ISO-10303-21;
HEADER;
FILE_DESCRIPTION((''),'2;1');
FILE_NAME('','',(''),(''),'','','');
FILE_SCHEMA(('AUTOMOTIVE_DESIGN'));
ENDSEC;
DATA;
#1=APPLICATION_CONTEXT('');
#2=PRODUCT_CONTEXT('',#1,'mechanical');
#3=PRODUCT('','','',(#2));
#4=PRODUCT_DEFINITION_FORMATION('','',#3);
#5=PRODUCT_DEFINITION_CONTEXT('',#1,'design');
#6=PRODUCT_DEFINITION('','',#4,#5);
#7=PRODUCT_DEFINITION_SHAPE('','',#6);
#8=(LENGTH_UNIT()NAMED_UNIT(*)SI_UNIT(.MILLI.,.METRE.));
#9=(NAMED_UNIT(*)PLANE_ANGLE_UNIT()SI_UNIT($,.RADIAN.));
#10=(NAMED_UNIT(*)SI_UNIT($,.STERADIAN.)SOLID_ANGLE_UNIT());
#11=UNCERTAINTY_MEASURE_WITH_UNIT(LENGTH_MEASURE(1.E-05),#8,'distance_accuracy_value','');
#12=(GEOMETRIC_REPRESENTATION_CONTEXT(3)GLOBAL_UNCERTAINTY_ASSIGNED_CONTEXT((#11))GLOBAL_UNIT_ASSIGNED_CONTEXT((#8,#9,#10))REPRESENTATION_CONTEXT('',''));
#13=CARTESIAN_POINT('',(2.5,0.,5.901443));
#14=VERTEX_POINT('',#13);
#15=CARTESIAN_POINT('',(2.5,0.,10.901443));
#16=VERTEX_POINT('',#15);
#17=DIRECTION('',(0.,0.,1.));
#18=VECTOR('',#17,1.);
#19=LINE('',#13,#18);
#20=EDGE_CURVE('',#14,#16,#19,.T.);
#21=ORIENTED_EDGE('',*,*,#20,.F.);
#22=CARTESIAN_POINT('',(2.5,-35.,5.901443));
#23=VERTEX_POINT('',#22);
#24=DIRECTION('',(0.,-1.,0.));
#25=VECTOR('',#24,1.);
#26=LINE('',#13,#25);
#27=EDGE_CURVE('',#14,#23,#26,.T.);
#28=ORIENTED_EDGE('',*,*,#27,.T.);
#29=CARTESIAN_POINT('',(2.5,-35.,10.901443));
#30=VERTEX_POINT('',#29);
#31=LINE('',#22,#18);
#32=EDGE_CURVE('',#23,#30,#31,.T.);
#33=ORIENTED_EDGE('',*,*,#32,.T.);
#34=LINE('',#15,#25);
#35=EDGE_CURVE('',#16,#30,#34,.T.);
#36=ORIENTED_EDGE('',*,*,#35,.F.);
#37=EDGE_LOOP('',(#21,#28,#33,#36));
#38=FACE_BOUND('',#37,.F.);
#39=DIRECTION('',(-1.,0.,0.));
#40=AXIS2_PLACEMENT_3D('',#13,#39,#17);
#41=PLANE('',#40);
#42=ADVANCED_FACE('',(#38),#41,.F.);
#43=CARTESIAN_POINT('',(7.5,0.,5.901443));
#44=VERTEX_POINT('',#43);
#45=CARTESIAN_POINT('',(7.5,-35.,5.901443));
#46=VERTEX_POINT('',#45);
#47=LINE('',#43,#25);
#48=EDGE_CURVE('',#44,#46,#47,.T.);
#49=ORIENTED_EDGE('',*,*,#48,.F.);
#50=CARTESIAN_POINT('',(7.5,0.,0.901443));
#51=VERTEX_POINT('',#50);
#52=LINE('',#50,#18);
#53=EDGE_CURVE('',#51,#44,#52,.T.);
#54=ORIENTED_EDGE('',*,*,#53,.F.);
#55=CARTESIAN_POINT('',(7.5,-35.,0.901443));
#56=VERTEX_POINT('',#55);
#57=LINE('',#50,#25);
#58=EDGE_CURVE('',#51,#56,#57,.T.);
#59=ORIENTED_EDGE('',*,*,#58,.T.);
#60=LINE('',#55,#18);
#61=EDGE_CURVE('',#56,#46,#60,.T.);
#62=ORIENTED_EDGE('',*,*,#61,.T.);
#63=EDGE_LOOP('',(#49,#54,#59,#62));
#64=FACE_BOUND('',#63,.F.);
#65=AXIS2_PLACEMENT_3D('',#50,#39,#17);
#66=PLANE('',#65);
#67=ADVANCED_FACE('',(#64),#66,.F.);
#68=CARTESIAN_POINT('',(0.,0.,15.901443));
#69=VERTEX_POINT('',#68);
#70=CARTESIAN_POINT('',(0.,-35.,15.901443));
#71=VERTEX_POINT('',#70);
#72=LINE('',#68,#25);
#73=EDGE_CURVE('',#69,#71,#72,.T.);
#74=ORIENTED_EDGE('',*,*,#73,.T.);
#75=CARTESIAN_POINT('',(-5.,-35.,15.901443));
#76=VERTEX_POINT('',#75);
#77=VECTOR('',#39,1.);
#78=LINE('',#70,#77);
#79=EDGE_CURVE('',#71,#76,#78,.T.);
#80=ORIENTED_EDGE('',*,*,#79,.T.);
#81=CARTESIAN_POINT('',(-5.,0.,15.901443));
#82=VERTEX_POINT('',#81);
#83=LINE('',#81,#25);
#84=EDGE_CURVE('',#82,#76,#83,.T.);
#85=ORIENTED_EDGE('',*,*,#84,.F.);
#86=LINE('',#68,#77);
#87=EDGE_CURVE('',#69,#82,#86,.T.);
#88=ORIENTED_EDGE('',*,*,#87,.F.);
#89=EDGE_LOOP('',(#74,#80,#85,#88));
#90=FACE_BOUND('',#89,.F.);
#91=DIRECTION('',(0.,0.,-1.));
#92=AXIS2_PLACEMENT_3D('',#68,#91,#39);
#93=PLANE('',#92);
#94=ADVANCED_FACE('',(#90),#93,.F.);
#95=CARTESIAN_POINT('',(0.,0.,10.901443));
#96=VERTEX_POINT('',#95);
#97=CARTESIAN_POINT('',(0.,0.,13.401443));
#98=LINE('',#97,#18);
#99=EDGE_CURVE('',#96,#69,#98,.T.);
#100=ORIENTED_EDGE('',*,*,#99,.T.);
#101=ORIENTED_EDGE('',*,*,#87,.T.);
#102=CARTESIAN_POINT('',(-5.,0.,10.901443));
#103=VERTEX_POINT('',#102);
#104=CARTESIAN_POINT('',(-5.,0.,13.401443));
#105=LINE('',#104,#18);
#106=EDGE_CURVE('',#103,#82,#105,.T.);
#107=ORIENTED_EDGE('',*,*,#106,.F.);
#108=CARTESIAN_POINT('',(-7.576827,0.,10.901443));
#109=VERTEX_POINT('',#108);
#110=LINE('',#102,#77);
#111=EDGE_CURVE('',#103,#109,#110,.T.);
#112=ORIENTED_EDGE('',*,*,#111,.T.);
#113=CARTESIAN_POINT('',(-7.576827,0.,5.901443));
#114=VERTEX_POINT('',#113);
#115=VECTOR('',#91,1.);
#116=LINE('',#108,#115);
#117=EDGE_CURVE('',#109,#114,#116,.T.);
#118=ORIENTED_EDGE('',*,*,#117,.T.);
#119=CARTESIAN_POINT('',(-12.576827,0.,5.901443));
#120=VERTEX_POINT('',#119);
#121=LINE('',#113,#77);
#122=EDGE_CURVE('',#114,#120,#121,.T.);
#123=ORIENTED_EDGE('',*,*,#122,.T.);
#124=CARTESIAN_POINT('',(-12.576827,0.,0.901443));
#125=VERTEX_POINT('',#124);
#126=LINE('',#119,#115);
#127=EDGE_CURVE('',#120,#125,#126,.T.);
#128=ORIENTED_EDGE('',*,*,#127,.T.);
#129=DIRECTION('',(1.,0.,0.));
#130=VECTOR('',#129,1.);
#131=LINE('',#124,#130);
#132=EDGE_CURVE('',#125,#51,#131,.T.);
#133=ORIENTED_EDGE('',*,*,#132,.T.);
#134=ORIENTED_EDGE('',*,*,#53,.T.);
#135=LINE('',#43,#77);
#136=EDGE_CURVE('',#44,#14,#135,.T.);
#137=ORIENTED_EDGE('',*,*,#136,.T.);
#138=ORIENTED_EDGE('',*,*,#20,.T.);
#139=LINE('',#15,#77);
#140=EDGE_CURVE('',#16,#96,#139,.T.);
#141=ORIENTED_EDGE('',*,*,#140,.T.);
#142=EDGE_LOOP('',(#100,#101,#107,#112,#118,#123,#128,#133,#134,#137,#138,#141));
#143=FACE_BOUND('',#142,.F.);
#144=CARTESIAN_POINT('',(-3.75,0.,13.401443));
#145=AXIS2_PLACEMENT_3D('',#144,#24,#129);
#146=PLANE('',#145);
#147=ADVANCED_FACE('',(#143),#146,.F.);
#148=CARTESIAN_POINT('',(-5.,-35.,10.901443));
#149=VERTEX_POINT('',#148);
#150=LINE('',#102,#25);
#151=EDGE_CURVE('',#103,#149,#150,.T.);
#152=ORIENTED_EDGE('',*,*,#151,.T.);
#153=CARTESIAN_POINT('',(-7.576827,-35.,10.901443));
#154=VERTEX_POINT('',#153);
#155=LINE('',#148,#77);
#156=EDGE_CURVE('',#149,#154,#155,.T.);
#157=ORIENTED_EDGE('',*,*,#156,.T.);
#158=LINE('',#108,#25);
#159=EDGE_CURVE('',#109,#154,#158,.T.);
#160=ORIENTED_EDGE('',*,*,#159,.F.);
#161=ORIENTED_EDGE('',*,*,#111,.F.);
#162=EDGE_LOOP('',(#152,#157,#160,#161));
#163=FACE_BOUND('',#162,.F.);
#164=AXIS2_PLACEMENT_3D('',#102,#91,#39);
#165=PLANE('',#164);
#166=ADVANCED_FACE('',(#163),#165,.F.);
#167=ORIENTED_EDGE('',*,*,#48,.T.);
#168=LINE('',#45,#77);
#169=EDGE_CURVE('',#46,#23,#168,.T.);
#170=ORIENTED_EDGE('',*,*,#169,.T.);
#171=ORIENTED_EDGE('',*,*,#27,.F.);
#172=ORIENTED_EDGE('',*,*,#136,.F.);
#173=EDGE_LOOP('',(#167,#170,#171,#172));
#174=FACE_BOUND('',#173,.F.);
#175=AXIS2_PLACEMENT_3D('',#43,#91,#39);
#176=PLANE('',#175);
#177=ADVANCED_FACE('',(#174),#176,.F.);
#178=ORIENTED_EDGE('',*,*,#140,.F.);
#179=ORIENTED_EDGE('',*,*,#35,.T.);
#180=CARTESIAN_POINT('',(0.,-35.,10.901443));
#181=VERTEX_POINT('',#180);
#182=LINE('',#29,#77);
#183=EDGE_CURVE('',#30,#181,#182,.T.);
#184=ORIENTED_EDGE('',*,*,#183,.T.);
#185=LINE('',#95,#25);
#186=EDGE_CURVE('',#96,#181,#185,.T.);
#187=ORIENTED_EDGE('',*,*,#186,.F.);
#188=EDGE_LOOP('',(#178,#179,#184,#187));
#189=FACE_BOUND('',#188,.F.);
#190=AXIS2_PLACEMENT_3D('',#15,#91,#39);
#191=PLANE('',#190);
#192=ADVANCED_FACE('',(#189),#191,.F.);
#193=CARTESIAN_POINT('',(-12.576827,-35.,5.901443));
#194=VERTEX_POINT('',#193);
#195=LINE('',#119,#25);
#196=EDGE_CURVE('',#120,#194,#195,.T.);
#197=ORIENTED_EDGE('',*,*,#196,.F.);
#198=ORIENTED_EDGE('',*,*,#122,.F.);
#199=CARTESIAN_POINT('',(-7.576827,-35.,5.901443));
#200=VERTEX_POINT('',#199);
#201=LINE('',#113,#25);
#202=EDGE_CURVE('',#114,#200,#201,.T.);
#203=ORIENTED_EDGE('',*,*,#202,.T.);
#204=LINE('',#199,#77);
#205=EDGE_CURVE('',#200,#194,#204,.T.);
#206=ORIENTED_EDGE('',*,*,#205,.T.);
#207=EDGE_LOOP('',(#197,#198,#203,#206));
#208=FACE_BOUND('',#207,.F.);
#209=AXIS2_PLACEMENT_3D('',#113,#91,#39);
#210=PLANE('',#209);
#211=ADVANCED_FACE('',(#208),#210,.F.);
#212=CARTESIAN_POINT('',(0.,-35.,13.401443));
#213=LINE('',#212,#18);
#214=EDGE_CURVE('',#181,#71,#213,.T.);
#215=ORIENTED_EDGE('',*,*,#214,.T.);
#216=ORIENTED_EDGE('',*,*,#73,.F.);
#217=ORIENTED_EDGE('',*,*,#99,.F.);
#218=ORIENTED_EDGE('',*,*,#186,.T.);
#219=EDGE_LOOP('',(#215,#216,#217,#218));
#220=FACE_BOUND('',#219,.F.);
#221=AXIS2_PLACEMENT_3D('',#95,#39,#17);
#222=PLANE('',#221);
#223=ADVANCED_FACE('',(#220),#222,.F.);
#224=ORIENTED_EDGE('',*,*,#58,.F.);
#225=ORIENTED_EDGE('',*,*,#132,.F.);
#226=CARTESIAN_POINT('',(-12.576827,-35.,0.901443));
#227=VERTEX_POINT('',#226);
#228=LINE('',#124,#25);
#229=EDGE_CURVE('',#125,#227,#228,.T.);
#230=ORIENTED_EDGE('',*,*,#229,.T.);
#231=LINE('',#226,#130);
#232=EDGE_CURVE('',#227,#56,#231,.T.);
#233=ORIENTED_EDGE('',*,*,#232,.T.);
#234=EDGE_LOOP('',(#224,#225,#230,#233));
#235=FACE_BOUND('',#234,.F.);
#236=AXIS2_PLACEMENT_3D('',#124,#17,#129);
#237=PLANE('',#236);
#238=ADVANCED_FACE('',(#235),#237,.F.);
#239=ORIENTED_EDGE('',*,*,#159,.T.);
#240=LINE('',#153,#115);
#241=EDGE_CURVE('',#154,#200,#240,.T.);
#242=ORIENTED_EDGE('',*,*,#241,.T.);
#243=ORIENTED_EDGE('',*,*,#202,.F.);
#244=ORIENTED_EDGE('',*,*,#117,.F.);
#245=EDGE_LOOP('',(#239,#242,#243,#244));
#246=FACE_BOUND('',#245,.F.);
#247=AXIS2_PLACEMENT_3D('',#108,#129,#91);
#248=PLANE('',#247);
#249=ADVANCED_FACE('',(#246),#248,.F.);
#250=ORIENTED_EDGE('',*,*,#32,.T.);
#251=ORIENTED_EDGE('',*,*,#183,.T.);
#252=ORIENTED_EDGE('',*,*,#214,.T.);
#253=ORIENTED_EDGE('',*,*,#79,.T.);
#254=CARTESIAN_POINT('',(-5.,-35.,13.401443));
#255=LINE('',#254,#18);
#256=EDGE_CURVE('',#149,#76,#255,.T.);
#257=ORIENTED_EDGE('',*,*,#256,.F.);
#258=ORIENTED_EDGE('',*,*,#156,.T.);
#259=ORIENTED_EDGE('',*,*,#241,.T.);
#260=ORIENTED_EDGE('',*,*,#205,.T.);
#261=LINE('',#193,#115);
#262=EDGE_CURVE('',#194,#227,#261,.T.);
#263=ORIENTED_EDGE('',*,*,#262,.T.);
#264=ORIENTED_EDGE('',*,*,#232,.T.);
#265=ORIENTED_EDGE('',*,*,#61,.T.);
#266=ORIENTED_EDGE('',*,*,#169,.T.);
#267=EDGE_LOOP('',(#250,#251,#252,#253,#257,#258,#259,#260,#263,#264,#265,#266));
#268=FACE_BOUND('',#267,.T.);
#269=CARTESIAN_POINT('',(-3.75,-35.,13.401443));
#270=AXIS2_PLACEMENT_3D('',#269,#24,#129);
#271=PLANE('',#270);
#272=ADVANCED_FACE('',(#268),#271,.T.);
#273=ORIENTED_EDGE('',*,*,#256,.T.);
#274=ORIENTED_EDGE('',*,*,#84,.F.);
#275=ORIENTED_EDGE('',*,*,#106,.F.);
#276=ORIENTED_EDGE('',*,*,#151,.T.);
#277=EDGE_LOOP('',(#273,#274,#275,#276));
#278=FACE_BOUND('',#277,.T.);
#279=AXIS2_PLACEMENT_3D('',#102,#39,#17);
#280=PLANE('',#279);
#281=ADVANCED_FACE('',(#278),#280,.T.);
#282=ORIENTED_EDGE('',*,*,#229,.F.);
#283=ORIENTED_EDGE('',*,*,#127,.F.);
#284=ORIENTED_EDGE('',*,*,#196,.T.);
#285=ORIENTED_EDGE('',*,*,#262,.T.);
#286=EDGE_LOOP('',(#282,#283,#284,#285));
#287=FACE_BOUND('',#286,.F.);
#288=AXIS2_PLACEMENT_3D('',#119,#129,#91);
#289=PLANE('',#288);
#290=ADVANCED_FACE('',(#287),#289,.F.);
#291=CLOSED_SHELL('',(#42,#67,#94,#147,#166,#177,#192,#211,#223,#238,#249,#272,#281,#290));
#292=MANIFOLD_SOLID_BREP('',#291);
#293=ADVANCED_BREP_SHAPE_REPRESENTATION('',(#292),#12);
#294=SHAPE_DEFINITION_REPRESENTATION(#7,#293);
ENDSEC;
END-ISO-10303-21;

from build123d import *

# Parameters (mm, degrees)
F0_W     = 2.5
F0_H     = 5
F1_DEPTH = 35


with BuildPart() as f1:
    # F0 (on Front) → F1 (new body)
    with BuildSketch(Plane.XZ):
        with Locations((-3.75, 13.401443)):
            Rectangle(F0_W, F0_H)
        with Locations((-1.25, 13.401443)):
            Rectangle(F0_W, F0_H)
        Polygon((-2.5, 10.901443), (-5, 10.901443), (-7.576827, 10.901443), (-7.576827, 5.901443), (-12.576827, 5.901443), (-12.576827, 0.901443), (7.5, 0.901443), (7.5, 5.901443), (2.5, 5.901443), (2.5, 10.901443), (0, 10.901443), align=None)
    extrude(amount=F1_DEPTH)


solid = f1.part
